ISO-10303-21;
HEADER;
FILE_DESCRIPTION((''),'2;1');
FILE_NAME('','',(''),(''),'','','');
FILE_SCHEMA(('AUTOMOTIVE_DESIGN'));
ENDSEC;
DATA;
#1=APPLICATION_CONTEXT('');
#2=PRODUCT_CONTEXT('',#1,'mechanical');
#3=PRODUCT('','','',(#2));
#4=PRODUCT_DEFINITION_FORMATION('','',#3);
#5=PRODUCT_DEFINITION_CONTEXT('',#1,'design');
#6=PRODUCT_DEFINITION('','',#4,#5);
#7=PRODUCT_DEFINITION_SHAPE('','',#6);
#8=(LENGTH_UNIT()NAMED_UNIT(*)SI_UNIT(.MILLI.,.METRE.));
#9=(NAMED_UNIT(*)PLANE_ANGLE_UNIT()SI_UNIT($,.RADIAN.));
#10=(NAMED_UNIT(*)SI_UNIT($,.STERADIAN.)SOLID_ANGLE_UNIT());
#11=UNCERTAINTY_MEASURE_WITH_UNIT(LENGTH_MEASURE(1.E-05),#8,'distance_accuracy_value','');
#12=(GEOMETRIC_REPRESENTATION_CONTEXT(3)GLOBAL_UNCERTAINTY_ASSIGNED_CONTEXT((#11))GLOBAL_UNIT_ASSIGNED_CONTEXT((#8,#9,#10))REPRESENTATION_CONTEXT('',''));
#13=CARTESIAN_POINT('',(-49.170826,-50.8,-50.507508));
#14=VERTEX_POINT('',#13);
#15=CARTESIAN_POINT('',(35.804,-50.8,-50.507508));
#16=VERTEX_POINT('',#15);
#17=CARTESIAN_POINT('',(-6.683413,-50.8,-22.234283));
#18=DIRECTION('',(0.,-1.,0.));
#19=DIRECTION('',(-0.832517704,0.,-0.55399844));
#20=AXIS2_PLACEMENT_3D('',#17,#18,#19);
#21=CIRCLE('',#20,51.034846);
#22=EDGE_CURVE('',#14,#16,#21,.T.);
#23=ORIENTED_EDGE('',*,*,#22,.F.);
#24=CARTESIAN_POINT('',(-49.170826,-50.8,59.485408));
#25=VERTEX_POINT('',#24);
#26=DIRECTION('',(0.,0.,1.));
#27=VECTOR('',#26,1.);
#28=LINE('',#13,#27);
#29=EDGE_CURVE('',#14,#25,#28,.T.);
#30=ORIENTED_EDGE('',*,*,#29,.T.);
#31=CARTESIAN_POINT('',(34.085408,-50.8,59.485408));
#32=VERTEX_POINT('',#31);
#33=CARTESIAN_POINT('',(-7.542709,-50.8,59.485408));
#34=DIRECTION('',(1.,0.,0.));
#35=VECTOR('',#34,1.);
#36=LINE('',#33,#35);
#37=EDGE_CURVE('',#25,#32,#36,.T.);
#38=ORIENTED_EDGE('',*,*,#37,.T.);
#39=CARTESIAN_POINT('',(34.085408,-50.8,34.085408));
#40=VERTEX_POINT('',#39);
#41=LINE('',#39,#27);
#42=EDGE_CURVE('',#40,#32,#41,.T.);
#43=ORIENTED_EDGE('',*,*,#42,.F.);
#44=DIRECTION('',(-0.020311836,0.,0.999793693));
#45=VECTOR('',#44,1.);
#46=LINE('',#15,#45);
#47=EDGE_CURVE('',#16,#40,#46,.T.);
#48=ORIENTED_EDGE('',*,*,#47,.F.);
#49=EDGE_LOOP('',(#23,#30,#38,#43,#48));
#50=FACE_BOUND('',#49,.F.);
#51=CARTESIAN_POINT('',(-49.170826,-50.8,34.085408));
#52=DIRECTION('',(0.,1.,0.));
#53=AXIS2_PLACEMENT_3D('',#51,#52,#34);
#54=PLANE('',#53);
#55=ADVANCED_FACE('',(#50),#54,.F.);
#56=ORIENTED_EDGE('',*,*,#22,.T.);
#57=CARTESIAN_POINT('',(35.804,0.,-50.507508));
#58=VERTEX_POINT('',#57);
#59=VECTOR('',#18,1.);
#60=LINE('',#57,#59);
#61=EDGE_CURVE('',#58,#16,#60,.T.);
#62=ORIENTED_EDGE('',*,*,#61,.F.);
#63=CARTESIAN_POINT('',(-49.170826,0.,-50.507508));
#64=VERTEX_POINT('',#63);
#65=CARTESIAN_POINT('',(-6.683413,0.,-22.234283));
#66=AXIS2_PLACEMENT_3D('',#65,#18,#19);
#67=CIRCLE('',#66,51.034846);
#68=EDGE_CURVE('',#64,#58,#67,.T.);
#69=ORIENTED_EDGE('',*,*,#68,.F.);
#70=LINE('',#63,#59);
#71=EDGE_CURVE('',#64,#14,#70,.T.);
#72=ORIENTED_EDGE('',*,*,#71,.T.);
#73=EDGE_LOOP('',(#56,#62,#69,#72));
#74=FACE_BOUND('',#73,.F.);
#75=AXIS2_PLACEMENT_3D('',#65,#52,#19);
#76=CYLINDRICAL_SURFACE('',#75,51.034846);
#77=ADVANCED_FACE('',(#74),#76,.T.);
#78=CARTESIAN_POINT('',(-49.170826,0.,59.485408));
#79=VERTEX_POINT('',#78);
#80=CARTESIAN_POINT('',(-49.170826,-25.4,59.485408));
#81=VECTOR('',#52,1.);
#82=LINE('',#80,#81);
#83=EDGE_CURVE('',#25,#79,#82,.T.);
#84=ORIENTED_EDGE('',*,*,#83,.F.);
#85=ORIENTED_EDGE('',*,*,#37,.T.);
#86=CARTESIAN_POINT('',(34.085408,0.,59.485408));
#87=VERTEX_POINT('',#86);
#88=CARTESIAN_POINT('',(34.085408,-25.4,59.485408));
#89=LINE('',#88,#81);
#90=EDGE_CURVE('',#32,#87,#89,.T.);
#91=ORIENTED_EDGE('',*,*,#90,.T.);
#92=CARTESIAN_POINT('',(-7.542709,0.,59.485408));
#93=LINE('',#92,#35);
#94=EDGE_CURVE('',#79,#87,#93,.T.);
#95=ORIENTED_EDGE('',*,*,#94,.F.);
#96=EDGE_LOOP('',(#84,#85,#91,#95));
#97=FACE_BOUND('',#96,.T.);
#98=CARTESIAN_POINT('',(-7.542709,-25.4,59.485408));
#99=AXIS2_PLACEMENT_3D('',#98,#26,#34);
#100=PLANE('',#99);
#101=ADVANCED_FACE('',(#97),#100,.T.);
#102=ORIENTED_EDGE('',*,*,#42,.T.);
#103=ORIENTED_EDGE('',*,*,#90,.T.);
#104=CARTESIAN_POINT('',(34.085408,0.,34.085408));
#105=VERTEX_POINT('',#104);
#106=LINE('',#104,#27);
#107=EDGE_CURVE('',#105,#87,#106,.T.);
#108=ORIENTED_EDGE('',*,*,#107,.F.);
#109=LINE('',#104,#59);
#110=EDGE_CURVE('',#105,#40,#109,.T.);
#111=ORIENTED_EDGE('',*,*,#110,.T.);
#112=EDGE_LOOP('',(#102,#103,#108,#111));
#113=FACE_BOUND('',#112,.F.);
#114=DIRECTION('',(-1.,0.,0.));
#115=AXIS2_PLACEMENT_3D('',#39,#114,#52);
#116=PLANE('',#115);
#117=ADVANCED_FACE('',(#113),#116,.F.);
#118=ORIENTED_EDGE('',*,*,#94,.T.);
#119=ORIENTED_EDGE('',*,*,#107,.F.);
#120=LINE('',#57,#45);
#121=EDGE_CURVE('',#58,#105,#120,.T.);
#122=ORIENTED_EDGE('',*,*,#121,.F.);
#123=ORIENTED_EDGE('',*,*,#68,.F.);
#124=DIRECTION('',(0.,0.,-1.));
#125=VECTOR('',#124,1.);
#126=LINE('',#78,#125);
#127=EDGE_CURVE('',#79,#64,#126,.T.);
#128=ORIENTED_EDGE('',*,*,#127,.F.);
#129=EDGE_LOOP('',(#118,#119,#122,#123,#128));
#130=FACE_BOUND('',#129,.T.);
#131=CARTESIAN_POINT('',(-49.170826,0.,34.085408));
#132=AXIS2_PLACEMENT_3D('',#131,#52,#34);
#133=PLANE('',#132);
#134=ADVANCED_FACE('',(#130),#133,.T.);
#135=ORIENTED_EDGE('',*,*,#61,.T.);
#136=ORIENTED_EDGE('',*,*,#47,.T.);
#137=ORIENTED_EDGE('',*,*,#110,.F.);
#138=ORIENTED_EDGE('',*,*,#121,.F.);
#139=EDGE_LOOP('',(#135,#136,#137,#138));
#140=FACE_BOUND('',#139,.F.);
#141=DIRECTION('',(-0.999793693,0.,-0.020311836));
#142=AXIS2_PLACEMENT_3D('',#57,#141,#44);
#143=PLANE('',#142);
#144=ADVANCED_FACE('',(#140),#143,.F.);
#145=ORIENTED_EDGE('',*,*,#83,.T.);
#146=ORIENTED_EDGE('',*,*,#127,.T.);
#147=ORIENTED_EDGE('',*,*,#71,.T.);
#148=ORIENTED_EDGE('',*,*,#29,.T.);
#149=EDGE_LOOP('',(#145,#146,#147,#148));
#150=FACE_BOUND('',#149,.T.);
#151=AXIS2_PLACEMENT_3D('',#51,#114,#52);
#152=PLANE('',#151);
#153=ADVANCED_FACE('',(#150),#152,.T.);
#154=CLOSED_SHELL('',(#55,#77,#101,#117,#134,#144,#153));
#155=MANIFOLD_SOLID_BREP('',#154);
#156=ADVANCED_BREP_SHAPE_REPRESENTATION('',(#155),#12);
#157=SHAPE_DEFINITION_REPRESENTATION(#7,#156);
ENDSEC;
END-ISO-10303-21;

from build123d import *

# Parameters (mm, degrees)
F1_DEPTH  = 50.8
F1_FACE_W = 83.256234
F1_FACE_H = 50.8
F2_DEPTH  = 25.4


with BuildPart() as f1:
    # F0 (on Front) → F1 (new body)
    with BuildSketch(Plane.XZ):
        with BuildLine():
            Line((34.085408, 34.085408), (-49.170826, 34.085408))
            Line((-49.170826, 34.085408), (-49.170826, -50.507508))
            ThreePointArc((-49.170826, -50.507508), (-6.683413, -73.269129), (35.804, -50.507508))
            Line((35.804, -50.507508), (34.085408, 34.085408))
        make_face()
    extrude(amount=F1_DEPTH)

    # F1_face (on face) → F2 (join)
    with BuildSketch(Plane(origin=(-7.542709, -25.4, 34.085408), x_dir=(1, 0, 0), z_dir=(0, 0, 1))):
        Rectangle(F1_FACE_W, F1_FACE_H)
    extrude(amount=F2_DEPTH)


solid = f1.part
